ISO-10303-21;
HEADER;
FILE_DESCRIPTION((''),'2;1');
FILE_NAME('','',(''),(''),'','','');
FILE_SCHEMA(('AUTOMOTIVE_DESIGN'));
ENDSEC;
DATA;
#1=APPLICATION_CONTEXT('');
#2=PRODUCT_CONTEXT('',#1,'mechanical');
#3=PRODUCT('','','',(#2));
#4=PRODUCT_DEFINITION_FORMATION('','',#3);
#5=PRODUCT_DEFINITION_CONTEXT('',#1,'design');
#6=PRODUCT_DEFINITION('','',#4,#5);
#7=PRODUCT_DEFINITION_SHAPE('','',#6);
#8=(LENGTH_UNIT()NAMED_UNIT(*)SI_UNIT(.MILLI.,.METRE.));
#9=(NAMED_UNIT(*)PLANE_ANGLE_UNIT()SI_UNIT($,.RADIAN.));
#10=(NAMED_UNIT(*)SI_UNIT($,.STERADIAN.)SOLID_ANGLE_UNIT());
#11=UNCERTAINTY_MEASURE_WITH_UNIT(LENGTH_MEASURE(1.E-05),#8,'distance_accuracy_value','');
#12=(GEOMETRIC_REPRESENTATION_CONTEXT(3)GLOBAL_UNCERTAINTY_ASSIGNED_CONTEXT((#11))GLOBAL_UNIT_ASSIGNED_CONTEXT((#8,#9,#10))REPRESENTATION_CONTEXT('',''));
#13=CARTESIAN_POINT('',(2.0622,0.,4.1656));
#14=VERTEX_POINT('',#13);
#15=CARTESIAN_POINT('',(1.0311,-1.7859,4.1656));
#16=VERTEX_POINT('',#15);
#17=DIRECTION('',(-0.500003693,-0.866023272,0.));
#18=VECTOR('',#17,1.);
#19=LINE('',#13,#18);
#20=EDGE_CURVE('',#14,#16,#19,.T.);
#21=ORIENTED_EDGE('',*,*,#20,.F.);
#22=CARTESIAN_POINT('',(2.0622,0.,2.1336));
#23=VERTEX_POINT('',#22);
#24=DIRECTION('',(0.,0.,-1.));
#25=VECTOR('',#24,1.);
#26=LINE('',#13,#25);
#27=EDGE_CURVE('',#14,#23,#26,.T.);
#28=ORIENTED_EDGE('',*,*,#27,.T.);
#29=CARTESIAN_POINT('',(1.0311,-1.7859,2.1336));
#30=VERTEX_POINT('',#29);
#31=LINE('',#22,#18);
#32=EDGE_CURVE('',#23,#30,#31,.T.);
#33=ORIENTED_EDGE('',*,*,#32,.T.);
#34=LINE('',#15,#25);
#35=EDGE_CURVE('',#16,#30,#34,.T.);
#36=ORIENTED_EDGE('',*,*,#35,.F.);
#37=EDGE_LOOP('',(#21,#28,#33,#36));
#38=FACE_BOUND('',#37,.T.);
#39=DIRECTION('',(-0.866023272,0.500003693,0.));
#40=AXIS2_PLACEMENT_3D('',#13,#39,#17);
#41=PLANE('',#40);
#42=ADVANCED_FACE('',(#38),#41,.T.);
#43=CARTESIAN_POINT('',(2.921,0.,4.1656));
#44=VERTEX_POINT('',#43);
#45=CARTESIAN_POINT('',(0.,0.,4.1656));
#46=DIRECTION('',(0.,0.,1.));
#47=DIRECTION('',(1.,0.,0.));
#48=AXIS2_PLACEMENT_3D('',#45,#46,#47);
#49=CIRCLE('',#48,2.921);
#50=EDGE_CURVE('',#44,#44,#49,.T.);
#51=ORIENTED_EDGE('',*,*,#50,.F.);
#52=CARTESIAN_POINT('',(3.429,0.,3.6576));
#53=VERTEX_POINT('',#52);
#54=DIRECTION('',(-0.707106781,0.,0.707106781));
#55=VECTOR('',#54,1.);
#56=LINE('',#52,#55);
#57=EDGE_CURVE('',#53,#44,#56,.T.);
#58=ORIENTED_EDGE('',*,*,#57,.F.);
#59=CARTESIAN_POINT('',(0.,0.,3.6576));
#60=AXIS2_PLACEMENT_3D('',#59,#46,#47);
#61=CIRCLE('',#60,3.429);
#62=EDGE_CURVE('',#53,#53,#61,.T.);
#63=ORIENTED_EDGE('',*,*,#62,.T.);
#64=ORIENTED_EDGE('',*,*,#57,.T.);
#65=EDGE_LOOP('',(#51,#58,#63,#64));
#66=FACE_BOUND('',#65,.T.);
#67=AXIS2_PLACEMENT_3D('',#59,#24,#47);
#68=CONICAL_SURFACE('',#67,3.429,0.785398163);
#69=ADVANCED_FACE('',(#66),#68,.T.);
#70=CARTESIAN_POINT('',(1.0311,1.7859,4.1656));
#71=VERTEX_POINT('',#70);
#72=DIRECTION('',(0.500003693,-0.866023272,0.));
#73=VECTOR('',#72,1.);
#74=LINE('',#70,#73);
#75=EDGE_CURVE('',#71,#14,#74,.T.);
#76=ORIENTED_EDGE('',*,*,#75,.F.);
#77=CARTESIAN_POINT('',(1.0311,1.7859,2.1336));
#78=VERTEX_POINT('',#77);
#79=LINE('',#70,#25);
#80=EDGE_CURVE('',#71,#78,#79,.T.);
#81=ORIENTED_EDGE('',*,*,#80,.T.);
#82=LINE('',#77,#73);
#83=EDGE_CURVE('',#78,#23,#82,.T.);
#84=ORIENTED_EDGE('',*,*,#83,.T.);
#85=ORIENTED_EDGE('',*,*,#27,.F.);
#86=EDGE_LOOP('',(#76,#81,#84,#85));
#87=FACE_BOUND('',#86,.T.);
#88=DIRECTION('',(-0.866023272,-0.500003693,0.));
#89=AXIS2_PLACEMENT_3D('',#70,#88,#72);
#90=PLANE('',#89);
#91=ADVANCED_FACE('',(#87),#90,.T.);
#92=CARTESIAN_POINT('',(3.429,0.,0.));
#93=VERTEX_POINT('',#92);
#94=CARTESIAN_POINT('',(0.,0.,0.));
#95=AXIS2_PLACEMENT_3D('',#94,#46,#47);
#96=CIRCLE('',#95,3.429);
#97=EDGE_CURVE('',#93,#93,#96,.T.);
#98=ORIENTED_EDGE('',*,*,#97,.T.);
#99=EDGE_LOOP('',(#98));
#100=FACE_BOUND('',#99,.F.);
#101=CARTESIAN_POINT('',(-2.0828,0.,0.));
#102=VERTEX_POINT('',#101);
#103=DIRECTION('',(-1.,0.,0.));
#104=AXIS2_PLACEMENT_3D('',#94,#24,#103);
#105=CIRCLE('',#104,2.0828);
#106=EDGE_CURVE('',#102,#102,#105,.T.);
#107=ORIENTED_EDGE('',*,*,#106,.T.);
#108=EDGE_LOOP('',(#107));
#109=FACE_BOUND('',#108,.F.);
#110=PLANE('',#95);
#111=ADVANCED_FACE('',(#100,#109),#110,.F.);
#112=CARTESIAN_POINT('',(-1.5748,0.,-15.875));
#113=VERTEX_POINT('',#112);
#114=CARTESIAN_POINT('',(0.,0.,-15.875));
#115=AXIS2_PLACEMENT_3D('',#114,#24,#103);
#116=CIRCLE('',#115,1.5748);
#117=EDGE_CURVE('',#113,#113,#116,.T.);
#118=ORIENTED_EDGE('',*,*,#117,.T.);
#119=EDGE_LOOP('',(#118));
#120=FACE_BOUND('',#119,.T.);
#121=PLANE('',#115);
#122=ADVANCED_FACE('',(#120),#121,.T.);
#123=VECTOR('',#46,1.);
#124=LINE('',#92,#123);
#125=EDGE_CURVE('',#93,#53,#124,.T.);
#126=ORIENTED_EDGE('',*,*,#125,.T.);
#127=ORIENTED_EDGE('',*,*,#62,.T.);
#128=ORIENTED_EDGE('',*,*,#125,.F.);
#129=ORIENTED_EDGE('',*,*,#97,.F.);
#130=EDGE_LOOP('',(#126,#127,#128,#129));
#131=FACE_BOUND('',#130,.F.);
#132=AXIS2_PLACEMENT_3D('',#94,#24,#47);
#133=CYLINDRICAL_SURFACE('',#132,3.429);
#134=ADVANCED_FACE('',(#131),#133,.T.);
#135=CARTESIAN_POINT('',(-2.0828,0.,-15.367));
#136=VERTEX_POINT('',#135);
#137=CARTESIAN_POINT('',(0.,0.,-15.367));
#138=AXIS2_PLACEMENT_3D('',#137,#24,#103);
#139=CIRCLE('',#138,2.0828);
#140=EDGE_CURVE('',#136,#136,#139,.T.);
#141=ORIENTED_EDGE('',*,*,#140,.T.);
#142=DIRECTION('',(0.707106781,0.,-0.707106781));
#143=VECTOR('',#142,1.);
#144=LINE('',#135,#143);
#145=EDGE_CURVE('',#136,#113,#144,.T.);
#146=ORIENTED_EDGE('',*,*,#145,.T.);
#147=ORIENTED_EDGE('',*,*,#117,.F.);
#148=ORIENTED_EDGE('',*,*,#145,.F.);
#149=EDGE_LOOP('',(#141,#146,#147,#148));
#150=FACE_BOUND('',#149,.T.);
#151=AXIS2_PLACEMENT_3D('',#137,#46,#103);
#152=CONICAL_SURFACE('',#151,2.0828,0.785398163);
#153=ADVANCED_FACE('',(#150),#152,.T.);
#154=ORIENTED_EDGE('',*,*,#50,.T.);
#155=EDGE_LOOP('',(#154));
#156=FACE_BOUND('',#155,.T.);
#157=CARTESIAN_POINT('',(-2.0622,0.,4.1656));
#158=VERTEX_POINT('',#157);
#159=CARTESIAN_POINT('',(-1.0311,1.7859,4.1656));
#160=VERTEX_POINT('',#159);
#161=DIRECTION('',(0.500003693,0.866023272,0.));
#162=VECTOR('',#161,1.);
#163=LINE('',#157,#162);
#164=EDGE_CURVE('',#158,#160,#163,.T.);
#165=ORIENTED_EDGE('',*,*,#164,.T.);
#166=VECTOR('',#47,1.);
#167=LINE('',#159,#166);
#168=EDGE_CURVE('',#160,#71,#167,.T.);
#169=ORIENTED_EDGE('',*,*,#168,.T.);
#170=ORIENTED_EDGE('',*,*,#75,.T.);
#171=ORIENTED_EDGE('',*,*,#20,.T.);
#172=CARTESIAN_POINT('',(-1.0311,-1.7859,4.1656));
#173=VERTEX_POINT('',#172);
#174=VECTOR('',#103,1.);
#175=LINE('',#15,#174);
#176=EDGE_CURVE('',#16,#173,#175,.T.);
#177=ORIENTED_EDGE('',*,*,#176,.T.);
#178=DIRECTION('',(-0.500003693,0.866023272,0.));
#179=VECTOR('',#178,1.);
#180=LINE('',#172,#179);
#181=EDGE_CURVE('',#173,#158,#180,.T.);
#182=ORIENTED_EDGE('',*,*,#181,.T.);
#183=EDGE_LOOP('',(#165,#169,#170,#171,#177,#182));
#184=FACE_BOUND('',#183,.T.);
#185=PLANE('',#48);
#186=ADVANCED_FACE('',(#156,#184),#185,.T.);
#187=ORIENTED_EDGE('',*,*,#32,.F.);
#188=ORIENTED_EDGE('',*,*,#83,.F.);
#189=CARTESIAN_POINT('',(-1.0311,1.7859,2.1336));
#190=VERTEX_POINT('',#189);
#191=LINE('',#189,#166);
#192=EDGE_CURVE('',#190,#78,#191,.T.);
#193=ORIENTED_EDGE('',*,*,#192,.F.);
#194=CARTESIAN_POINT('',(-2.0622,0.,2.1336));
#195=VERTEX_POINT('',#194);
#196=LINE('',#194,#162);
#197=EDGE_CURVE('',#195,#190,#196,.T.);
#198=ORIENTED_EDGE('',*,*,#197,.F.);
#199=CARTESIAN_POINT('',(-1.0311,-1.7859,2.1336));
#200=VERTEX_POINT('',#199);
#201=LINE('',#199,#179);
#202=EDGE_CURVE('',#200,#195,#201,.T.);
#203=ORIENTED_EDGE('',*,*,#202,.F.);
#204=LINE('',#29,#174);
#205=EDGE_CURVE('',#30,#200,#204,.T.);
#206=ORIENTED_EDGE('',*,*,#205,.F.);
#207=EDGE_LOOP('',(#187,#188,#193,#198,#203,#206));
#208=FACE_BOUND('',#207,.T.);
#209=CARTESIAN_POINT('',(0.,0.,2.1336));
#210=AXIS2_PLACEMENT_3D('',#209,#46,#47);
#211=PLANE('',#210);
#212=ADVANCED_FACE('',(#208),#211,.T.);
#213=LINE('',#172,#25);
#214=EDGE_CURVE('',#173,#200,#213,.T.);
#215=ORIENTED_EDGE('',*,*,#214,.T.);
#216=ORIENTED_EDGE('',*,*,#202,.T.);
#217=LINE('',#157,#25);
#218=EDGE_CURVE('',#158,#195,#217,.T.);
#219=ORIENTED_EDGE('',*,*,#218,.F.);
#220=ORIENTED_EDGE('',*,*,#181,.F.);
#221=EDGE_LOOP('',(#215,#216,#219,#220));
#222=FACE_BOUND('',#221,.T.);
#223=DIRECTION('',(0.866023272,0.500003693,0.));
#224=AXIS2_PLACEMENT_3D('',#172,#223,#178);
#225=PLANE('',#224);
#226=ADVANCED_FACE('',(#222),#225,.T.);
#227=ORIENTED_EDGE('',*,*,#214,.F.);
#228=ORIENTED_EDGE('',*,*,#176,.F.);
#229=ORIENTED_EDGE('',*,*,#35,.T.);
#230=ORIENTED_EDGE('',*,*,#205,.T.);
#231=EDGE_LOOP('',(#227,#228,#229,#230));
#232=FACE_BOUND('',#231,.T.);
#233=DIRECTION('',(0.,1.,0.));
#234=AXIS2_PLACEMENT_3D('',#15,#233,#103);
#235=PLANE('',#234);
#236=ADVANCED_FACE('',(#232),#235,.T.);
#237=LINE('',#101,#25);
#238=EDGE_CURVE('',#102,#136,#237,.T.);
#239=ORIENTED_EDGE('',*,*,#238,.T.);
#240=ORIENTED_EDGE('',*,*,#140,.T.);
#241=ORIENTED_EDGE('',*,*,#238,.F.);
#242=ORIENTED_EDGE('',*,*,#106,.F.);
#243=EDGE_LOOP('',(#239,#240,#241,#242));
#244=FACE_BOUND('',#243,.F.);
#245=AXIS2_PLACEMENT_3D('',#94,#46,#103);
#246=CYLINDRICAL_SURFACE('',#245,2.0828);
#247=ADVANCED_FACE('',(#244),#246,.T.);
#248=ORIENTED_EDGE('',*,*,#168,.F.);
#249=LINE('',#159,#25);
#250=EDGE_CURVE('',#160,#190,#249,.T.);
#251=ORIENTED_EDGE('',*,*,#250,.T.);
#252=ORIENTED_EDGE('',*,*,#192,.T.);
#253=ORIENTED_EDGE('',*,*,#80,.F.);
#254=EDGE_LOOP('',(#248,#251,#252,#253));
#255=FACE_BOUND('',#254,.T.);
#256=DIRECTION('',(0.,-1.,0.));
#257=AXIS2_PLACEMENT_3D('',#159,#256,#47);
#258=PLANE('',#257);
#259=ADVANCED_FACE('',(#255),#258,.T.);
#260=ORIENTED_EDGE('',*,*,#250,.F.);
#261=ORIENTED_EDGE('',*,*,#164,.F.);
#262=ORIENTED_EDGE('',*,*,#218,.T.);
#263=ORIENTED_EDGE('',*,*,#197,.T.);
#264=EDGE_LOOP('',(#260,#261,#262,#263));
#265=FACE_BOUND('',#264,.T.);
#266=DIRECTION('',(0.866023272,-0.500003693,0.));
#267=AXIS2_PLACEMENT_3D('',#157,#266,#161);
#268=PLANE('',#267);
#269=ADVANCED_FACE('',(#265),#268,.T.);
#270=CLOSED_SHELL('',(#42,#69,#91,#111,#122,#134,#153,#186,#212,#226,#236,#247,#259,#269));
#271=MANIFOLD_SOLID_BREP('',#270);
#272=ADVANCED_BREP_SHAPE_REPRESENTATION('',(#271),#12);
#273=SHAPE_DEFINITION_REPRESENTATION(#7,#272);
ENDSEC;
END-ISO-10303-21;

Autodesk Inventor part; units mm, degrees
ref_plane "YZ Plane" through (0, 0, 0) normal (1, 0, 0) x (0, 1, 0)
ref_plane "XZ Plane" through (0, 0, 0) normal (0, 1, 0) x (-1, 0, 0)
ref_plane "XY Plane" through (0, 0, 0) normal (0, 0, 1) x (1, 0, 0)
sketch "Sketch1" plane through (0, 0, 0) normal (0, 0, 1) x (1, 0, 0)
  circle A0 centre (0, 0) radius 3.429
  dimension "d0" = 6.858
extrude "Extrusion1" add sketch "Sketch1" along normal blind 4.1656
sketch "Sketch2" plane through (0, 0, 0) normal (0, 0, -1) x (-1, 0, 0)
  circle A0 centre (0, 0) radius 3.429 projected
  circle A1 centre (0, 0) radius 2.0828
  dimension "d3" = 4.1656
extrude "Extrusion2" add sketch "Sketch2" along normal blind 15.875 contours A1
sketch "Sketch3" plane through (0, 0, 4.1656) normal (0, 0, 1) x (1, 0, 0)
  circle A0 centre (0, 0) radius 3.429 projected
  line L0 (-1.0311, 1.7859) -> (1.0311, 1.7859)
  line L1 (1.0311, 1.7859) -> (2.0622, 0)
  line L2 (2.0622, 0) -> (1.0311, -1.7859)
  line L3 (1.0311, -1.7859) -> (-1.0311, -1.7859)
  line L4 (-1.0311, -1.7859) -> (-2.0622, 0)
  line L5 (-2.0622, 0) -> (-1.0311, 1.7859)
  dimension "d6" = 3.5719
extrude "Extrusion3" cut sketch "Sketch3" against normal blind 2.032 contours L0 L1 L2 L3 L4 L5
thread "Thread1" size "8-32 UNC" class "2A" standard "ANSI Unified Screw Threads" full length
chamfer "Chamfer1" distance 0.508 angle 45 1 edges at (2.0828, 0, -15.875)
chamfer "Chamfer2" distance 0.508 angle 45 1 edges at (-3.429, 0, 4.1656)
properties part number "8-32 SHCS x500" material "Steel"
